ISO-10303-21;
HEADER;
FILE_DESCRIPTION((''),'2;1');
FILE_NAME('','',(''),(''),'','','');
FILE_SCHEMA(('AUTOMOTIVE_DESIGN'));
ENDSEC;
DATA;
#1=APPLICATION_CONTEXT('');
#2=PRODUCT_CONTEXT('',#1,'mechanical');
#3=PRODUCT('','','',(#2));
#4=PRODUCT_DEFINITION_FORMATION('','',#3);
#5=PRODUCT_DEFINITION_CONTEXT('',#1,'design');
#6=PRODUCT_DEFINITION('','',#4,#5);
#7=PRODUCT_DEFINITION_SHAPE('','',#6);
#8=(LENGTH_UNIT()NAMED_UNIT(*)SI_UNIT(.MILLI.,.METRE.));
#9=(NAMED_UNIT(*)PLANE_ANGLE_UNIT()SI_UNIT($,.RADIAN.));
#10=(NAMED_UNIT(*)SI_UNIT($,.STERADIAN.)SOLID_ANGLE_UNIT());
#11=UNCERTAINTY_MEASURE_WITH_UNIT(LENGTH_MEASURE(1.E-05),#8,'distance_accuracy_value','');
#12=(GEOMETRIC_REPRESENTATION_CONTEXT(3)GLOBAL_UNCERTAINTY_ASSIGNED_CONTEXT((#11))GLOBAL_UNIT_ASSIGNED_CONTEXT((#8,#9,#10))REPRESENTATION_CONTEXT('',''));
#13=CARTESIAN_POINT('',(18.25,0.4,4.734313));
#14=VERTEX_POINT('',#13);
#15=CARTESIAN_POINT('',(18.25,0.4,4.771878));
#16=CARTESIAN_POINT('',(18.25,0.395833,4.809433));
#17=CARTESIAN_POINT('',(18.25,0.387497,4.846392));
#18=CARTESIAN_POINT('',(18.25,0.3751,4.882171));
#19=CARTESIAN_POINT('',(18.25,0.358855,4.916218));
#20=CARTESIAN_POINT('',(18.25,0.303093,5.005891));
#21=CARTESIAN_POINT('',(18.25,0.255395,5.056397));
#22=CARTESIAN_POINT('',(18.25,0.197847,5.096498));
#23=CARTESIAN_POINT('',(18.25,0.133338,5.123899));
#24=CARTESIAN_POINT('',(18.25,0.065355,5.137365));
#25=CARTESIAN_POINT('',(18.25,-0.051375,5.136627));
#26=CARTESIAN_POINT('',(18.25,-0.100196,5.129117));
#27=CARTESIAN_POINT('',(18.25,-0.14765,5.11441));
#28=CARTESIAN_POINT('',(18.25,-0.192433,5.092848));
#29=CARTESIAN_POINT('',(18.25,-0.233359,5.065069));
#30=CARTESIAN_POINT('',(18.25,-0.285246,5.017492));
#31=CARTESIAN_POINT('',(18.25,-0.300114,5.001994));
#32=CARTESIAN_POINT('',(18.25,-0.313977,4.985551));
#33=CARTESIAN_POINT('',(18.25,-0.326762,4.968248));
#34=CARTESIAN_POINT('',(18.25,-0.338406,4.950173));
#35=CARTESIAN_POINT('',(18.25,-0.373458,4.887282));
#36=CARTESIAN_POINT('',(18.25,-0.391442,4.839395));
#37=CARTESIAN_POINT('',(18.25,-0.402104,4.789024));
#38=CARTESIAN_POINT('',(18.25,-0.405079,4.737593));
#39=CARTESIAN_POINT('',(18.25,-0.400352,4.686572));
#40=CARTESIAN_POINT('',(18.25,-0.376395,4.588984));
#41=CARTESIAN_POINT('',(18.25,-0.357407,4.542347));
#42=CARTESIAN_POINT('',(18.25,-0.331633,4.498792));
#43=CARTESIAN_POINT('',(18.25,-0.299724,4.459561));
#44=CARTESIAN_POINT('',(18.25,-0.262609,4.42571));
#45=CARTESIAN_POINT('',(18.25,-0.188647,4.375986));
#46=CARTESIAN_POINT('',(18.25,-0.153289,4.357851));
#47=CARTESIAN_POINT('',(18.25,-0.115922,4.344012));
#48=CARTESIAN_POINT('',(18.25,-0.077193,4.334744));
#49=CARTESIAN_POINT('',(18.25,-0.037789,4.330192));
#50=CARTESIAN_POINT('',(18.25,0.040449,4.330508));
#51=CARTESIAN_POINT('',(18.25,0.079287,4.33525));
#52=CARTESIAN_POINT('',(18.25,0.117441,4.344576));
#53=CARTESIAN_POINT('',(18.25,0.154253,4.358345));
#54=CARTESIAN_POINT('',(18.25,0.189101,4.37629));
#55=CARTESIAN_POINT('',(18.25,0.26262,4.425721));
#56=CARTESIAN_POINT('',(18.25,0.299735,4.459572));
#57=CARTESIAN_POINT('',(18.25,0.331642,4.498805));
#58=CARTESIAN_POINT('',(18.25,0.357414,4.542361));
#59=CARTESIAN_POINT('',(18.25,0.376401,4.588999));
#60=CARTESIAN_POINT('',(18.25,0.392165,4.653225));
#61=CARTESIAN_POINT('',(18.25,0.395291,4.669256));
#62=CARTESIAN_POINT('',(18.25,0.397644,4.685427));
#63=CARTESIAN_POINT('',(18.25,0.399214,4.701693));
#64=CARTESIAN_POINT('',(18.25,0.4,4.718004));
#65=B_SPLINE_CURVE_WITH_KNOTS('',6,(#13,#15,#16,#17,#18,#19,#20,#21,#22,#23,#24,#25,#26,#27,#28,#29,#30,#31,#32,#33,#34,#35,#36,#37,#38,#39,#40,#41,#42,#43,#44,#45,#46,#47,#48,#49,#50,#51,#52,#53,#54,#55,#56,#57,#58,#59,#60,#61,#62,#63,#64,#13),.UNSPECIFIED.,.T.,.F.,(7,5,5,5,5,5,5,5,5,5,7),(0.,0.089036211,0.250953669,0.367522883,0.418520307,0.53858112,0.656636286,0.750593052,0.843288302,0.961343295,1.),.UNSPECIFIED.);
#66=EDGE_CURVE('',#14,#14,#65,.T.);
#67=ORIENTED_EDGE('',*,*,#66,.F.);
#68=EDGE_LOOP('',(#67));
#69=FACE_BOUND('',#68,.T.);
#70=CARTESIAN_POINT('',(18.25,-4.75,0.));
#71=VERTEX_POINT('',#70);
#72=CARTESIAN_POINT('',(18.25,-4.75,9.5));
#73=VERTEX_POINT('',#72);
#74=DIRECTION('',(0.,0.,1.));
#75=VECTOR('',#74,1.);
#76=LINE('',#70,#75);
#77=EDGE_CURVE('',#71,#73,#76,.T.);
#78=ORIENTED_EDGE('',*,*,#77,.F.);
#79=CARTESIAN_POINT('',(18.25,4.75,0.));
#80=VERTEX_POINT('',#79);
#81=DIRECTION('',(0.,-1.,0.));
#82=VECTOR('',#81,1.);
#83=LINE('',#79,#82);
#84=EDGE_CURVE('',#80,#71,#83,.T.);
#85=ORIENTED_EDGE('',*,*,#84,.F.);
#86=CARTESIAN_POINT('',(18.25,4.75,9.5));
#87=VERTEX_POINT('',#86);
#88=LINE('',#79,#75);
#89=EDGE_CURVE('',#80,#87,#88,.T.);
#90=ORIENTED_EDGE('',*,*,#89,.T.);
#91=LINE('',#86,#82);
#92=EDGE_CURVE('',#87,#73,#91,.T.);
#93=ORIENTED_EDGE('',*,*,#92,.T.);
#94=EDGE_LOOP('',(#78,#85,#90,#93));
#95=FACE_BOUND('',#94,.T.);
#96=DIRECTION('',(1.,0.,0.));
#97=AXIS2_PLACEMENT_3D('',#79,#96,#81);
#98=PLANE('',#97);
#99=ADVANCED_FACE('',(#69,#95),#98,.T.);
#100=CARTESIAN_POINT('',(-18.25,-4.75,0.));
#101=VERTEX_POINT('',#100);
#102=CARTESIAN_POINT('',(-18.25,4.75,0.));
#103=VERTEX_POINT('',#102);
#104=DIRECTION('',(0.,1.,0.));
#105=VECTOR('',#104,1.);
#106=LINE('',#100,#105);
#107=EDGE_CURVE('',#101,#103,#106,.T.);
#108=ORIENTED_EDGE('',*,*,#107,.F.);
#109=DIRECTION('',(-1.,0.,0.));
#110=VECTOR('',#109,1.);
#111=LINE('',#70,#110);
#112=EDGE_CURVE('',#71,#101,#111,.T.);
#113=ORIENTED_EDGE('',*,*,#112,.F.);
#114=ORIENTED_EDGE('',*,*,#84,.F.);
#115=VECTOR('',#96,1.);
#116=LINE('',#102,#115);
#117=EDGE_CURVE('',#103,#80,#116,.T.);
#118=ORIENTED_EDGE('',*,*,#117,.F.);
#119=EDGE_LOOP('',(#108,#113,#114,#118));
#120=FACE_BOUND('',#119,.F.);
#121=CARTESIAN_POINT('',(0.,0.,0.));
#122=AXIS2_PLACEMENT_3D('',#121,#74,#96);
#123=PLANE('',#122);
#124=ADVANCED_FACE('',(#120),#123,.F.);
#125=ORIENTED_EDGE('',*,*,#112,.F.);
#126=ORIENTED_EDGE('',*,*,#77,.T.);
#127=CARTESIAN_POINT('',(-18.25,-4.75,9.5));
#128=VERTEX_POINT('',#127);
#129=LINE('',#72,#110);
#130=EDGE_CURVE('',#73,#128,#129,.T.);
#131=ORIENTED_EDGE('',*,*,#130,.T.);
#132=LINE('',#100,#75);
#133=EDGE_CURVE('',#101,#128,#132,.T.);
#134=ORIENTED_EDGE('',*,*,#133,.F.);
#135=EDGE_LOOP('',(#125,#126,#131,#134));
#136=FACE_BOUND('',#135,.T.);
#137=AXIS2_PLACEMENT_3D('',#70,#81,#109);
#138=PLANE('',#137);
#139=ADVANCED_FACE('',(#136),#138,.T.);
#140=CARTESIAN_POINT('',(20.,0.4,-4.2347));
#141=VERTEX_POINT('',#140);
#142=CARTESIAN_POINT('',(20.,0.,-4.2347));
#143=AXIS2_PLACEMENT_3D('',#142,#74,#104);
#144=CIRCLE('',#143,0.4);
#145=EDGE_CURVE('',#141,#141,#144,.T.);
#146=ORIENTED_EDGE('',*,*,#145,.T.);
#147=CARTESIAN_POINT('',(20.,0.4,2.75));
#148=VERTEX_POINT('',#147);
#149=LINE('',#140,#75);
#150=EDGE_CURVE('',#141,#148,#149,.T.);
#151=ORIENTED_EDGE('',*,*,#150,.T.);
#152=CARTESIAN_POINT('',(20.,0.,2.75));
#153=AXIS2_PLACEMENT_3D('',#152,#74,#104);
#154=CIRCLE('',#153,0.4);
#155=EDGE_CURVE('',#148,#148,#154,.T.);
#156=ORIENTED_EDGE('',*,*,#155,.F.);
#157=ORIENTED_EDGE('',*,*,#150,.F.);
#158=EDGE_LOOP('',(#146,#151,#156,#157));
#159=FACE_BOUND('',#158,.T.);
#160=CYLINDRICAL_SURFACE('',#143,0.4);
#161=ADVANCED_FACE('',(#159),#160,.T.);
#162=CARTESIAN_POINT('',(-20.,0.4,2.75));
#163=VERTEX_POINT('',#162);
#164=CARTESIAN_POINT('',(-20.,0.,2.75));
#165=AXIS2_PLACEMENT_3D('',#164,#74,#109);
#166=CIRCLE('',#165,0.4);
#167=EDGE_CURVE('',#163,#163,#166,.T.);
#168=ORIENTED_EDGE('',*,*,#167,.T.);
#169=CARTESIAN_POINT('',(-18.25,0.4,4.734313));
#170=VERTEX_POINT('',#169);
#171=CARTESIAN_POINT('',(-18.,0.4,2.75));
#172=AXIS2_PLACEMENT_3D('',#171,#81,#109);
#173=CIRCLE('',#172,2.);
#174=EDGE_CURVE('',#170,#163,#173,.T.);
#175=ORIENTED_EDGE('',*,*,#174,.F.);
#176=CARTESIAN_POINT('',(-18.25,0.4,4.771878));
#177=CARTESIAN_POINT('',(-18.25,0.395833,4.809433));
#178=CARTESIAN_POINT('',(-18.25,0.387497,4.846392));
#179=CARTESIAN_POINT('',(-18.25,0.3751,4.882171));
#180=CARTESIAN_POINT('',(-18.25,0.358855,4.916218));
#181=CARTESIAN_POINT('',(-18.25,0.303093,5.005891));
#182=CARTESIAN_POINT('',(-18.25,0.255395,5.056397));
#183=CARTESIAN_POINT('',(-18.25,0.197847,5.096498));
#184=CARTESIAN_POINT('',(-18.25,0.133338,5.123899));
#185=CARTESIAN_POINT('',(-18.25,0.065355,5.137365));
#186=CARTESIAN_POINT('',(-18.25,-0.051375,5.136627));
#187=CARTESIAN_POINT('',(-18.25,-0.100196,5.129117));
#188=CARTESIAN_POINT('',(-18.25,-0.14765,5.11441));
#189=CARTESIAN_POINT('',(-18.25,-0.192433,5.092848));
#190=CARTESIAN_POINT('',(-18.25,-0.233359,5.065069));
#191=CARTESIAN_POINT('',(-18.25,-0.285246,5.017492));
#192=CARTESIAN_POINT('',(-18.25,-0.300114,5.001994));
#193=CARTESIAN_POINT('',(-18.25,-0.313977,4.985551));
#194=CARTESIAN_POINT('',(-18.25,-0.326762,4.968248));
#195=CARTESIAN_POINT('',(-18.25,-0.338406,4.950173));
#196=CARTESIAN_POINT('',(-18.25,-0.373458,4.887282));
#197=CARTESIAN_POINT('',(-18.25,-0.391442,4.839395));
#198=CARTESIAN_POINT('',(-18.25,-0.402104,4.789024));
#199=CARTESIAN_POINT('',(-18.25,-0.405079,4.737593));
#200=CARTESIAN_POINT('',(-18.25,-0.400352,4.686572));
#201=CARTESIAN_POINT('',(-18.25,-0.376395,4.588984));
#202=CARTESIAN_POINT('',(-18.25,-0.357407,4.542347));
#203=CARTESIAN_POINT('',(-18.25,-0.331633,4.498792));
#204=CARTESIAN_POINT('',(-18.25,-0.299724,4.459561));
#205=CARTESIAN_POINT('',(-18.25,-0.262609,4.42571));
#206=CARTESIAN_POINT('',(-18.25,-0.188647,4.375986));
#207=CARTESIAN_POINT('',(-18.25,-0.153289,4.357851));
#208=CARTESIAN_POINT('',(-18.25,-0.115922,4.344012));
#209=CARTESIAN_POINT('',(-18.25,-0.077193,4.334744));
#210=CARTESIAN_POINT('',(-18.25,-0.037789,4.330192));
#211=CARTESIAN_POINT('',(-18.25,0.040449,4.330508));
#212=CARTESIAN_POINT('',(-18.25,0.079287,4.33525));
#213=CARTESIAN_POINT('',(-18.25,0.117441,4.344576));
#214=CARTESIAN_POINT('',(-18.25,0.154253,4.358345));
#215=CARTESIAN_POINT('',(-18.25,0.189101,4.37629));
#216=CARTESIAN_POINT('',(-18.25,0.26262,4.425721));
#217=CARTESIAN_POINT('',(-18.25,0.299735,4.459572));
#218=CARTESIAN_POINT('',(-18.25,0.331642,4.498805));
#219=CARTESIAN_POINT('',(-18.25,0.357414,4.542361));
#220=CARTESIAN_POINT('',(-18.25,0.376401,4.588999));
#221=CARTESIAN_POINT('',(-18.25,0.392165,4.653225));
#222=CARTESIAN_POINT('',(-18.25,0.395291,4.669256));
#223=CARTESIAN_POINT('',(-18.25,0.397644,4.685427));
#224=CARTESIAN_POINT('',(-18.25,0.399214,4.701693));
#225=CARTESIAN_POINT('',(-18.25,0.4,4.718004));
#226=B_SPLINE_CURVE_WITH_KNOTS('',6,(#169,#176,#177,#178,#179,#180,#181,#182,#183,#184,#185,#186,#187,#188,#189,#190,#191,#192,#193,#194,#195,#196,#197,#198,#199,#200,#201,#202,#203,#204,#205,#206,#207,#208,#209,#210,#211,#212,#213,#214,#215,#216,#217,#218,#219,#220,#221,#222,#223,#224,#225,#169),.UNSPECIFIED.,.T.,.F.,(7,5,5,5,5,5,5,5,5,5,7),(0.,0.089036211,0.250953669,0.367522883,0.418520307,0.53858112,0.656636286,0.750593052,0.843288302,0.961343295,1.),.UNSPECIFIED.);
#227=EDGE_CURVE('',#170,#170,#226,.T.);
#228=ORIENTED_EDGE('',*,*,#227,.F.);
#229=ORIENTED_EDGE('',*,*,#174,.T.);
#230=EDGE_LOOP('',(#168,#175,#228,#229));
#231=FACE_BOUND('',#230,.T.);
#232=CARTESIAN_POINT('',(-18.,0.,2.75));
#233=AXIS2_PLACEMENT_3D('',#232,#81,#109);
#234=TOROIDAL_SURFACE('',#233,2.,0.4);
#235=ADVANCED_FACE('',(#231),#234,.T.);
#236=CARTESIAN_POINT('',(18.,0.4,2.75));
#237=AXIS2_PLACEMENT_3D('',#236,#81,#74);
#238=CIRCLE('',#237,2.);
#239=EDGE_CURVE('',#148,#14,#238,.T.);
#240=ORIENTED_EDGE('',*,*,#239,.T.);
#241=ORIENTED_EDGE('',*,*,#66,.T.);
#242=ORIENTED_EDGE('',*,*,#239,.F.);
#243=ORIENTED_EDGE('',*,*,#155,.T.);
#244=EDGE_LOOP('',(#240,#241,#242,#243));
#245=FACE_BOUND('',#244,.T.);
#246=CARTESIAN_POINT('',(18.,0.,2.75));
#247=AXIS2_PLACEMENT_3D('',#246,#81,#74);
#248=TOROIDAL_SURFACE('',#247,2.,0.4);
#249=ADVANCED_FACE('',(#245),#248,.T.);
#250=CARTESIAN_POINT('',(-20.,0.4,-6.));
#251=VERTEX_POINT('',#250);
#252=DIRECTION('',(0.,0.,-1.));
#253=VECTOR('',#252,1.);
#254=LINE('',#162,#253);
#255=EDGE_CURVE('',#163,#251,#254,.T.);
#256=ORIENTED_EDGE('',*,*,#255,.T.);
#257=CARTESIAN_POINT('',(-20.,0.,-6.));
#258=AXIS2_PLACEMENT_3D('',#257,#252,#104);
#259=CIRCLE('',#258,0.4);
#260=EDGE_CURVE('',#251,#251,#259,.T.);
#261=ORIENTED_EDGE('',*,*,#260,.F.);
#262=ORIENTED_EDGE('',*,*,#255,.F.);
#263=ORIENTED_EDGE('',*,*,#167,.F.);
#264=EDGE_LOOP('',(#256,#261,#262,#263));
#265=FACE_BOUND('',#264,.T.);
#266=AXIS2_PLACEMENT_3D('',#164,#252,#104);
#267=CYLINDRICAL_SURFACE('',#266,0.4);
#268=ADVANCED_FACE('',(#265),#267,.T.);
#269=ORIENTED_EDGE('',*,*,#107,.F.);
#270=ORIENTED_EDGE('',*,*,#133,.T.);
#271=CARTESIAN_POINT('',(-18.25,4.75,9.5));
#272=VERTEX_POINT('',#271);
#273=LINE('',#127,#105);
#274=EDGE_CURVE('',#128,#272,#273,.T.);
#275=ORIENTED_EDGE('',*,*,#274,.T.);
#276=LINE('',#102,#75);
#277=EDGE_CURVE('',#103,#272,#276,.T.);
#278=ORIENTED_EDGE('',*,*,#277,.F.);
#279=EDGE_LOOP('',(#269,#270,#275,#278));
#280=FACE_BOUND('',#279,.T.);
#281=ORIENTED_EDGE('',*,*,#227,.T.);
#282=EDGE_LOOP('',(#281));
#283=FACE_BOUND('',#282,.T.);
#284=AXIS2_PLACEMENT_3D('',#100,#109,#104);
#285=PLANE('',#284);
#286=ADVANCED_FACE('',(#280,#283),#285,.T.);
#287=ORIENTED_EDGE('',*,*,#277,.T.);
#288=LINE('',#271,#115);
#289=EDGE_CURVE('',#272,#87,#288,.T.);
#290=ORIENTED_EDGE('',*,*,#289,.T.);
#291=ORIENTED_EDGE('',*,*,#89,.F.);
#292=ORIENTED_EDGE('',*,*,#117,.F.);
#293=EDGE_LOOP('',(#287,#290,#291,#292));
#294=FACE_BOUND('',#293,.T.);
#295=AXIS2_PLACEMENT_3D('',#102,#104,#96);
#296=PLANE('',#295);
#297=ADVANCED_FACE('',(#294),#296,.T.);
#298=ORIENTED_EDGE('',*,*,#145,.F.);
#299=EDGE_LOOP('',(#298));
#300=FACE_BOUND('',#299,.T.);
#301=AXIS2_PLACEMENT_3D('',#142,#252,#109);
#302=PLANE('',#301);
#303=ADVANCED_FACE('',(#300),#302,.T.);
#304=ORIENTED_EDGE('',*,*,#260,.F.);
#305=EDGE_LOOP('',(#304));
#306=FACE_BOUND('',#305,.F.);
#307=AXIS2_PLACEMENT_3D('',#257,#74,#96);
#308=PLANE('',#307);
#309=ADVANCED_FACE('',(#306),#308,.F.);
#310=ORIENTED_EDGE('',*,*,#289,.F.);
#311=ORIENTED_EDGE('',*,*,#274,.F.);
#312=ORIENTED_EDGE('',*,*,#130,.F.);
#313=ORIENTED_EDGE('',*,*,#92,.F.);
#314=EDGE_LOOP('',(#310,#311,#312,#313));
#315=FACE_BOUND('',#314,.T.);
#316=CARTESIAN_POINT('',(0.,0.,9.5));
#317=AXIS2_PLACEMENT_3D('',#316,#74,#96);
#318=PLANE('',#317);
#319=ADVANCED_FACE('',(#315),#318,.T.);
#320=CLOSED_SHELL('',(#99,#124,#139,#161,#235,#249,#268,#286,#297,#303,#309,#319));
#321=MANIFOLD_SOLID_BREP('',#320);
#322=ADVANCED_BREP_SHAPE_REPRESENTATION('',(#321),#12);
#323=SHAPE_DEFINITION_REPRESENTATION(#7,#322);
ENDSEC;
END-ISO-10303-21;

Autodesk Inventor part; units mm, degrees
ref_plane "YZ Plane" through (0, 0, 0) normal (1, 0, 0) x (0, 1, 0)
ref_plane "XZ Plane" through (0, 0, 0) normal (0, 1, 0) x (-1, 0, 0)
ref_plane "XY Plane" through (0, 0, 0) normal (0, 0, 1) x (1, 0, 0)
sketch "Boceto39" plane through (0, 0, 0) normal (0, 0, 1) x (1, 0, 0)
  line L0 (-18.25, 4.75) -> (18.25, 4.75)
  line L1 (18.25, 4.75) -> (18.25, -4.75)
  line L2 (18.25, -4.75) -> (-18.25, -4.75)
  line L3 (-18.25, -4.75) -> (-18.25, 4.75)
  point P0 (0, 0)
  point P1 (0, 4.75)
  point P2 (-18.25, 0)
  dimension "d373" = 36.5
  dimension "d374" = 9.5
extrude "Extrusión13" add sketch "Boceto39" along normal blind 9.5
sketch "Boceto40" plane through (0, 0, 0) normal (0, 1, 0) x (-1, 0, 0)
  line L0 (18.25, 0) -> (-18.25, 0) projected
  line L1 (18.25, 0) -> (18.25, 9.5) projected
  line L2 (-18.25, 9.5) -> (18.25, 9.5) projected
  line L3 (-18.25, 0) -> (-18.25, 9.5) projected
  line L4 (-20, -4.2347) -> (-20, 2.75)
  line L5 (-18, 4.75) -> (18, 4.75)
  line L6 (20, 2.75) -> (20, -6)
  arc A0 (20, 2.75) -> (18, 4.75) centre (18, 2.75) ccw
  arc A1 (-18, 4.75) -> (-20, 2.75) centre (-18, 2.75) ccw
  point P0 (0, 0)
  point P1 (0, 4.75)
  point P2 (18.25, 4.75)
  point P3 (0, 0)
  dimension "d377" = 20
  dimension "d378" = 2
  dimension "d379" = 6
sketch "Boceto41" plane through (0, 0, 0) normal (1, 0, 0) x (0, 1, 0)
  circle A0 centre (0, 4.75) radius 0.4
  point P0 (0, 0)
  dimension "d380" = 0.8
sweep "Barrido1" add profiles "Boceto41" path "Boceto40" path curves L6 A0 L5 A1 L4
properties part number "AXIAL-POWER-10W"
